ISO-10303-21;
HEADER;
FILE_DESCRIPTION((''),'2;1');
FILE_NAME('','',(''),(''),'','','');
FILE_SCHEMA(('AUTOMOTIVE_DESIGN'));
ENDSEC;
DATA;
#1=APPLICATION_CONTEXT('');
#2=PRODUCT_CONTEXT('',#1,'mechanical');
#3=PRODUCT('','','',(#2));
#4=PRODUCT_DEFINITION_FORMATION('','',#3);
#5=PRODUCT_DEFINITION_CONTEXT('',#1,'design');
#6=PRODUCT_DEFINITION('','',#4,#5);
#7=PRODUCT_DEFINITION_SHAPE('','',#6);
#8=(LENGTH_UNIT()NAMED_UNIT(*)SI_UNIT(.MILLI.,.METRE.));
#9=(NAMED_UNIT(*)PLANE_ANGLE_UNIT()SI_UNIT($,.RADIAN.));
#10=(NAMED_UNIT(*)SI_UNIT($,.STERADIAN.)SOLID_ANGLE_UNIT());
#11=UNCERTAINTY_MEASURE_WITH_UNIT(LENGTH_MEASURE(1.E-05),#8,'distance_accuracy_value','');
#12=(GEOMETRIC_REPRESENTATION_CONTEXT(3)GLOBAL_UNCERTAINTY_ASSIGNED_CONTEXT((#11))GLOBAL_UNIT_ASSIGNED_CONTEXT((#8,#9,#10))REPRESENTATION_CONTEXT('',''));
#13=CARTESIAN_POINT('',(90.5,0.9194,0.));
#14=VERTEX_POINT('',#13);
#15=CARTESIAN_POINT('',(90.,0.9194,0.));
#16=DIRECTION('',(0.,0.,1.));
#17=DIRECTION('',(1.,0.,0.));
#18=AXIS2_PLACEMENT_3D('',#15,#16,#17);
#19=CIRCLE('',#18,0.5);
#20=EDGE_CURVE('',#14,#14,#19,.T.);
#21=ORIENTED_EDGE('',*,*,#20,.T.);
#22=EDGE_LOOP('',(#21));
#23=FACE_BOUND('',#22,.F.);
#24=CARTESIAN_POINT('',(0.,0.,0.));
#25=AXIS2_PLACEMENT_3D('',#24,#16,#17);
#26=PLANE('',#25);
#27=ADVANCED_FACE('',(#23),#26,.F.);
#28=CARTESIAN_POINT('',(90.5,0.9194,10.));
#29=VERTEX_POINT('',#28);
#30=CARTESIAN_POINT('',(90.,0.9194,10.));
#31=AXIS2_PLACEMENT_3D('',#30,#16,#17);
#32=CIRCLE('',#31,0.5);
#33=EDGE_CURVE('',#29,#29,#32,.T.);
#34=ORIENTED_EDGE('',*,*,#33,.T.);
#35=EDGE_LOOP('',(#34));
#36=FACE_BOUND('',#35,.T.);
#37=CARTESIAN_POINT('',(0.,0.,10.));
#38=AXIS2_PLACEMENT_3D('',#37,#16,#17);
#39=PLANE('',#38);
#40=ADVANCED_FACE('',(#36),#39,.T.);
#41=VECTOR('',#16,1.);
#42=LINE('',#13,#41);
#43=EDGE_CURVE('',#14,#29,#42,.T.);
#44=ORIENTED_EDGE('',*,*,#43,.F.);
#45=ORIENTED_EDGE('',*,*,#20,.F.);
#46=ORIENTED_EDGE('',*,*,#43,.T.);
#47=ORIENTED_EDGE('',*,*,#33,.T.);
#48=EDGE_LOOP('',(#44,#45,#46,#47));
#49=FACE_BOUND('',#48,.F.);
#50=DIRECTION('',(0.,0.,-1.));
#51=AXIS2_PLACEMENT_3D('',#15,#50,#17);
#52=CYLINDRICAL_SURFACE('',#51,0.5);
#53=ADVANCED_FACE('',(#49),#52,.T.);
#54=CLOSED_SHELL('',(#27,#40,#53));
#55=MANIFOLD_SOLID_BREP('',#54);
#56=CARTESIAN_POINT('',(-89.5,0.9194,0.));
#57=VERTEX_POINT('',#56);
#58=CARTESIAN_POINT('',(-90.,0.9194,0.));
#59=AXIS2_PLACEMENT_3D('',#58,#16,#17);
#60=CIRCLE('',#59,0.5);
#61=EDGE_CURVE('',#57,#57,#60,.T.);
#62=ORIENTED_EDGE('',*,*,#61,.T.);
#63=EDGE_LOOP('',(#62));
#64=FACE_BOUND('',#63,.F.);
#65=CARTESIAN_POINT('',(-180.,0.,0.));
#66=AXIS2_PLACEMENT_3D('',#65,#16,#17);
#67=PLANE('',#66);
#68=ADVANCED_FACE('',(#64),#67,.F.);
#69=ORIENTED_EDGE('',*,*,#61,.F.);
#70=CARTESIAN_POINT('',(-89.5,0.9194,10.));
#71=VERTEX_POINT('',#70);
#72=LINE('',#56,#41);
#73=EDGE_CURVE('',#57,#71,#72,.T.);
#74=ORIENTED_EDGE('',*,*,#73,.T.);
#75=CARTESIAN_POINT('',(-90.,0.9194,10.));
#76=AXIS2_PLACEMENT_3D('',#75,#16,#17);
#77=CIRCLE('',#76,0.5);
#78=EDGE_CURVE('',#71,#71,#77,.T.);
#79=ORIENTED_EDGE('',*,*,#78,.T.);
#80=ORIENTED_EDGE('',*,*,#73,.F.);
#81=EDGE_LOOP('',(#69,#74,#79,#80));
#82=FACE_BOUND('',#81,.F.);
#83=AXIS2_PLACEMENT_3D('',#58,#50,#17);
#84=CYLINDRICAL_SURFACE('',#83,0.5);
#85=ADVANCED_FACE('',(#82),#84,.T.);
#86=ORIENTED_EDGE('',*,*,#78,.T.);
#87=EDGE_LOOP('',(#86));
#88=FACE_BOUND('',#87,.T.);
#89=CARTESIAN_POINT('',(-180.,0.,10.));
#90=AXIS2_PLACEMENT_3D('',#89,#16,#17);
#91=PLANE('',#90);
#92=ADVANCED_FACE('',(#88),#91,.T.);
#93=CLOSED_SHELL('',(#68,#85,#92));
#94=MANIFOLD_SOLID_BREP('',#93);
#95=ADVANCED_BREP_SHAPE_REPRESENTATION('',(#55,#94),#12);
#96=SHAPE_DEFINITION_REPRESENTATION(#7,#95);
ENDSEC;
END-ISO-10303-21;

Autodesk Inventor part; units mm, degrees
ref_plane "YZ Plane" through (0, 0, 0) normal (1, 0, 0) x (0, 1, 0)
ref_plane "XZ Plane" through (0, 0, 0) normal (0, 1, 0) x (-1, 0, 0)
ref_plane "XY Plane" through (0, 0, 0) normal (0, 0, 1) x (1, 0, 0)
sketch "Sketch1" plane through (0, 0, 0) normal (0, 0, 1) x (1, 0, 0)
  line L0 (-150, -9) -> (150, -9)
  line L1 (150, -9) -> (150, 9)
  line L2 (150, 9) -> (-150, 9)
  line L3 (-150, 9) -> (-150, -9)
  line L4 (-150, -9) -> (150, 9) construction
  line L5 (150, -9) -> (-150, 9) construction
  point P0 (0, 0)
  dimension "d0" = 300
  dimension "d1" = 18
sketch "Lamello" plane through (0, 0, 0) normal (0, 0, 1) x (1, 0, 0)
  line L0 (48.383, 133.1858) -> (42.783, 133.1858)
  line L1 (40.583, 131.6858) -> (40.583, 114.6858)
  line L2 (42.783, 113.1858) -> (48.383, 113.1858)
  line L3 (50.583, 114.6858) -> (50.583, 131.6858)
  line L4 (50.583, 131.6858) -> (48.383, 133.1858)
  line L5 (40.583, 131.6858) -> (42.783, 133.1858)
  line L6 (40.583, 114.6858) -> (42.783, 113.1858)
  line L7 (50.583, 114.6858) -> (48.383, 113.1858)
  line L8 (50.583, 123.1858) -> (40.583, 123.1858)
  line L9 (45.583, 133.1858) -> (45.583, 113.1858)
  point P0 (45.583, 123.1858)
  point P1 (50.583, 133.1858)
  point P2 (40.583, 113.1858)
  point P3 (40.583, 133.1858)
  point P4 (50.583, 113.1858)
  dimension "d54" = 10
  dimension "d55" = 20
  dimension "d56" = 1.5
  dimension "d57" = 2.2
  dimension "d58" = 1.5
  dimension "d59" = 2.2
  dimension "d60" = 1.5
  dimension "d61" = 2.2
  dimension "d62" = 1.5
  dimension "d63" = 2.2
sketch "Sketch2" plane through (0, 0, 0) normal (0, 0, 1) x (1, 0, 0)
  circle A0 centre (90, 0.9194) radius 0.5
  line L0 (150, 9) -> (-150, 9) projected
  line L1 (-150, -9) -> (150, -9) projected
  line L2 (0, -128.2581) -> (0, 79.7097) projected
  line L3 (150, -9) -> (150, 9) projected
  point P0 (0, 0)
  dimension "d4" = 1
  dimension "d50" = 8.0806
  dimension "d70" = 60
extrude "Extrusion1" add sketch "Sketch2" along normal blind 10 contours A0
pattern_linear "Clamex Array" count 2 spacing 180 along (-1, 0, 0) of "Extrusion1"
sketch "Edge-Side Connection" plane through (0, 0, 0) normal (1, 0, 0) x (0, 1, 0)
  line L0 (-50, 0) -> (50, 0)
  line L1 (50, 0) -> (50, 18)
  line L2 (50, 18) -> (-50, 18)
  line L3 (-50, 18) -> (-50, 0)
  line L4 (-9, 0) -> (-1.9469, -40)
  line L5 (-1.9469, -40) -> (16.0531, -40)
  line L6 (16.0531, -40) -> (9, 0)
  line L7 (0.7743, -10) -> (0.7743, 18) construction
  line L8 (9, 0) -> (5.7743, 0)
  line L9 (-4.2257, -8.5) -> (-7.4025, -9.0601)
  point P0 (0, 0)
  point P1 (9, 0)
  point P2 (0, 0)
  dimension "d26" = 100
  dimension "d27" = 18
  dimension "d28" = 40
  dimension "OtherSideRefYCoordinate" = 9.7743
  dimension "ReferenceCoord" = 8.2257
  dimension "d49" = 80
sketch "Edge-Edge Connection" plane through (0, 0, 0) normal (1, 0, 0) x (0, 1, 0)
  line L0 (-98.5484, 18) -> (21.4516, 18)
  line L1 (21.4516, 18) -> (0, 0)
  line L2 (0, 0) -> (-98.5484, 0)
  line L3 (-98.5484, 0) -> (-98.5484, 18)
  line L4 (21.4516, 18) -> (0.6138, -100.1769)
  line L5 (0, 0) -> (-17.1128, -97.0513)
  line L6 (-17.1128, -97.0513) -> (0.6138, -100.1769)
  line L7 (2.3599, 1.9802) -> (0, 0)
  line L8 (4.5566, 14.9194) -> (4.5566, 18)
  point P0 (6.1901, 5.1941)
  dimension "d51" = 18
  dimension "d53" = 18
  dimension "EdgeEdgeReferenceCoord" = 8.0806
  dimension "d65" = 80
  dimension "d66" = 120
  dimension "d67" = 120
  dimension "EdgeEdgeOtherSideRefYCoordinate" = 19.9224
equation "\"d9\" = Step"
equation "\"d27\" = NestleBoardT"
equation "\"d0\" = ContactPatchWidth"
equation "\"d1\" = ContactPatchHeight"
equation "\"ContactPatchWidth\" = 300"
equation "\"ContactPatchHeight\" = 18"
equation "\"MinDistBetween\" = 96"
equation "\"Step\" = 180"
equation "\"Y_Coord\" = 8.08058"
equation "\"NestleBoardT\" = 18"
equation "\"PillarBoardT\" = 18"
equation "\"AngleForYPositionCalc\" = 80deg"
equation "\"ConnectionAngle\" = 80deg"
equation "\"ShiftY\" = 0"
properties part number "Minfix&Dowel Joint"
